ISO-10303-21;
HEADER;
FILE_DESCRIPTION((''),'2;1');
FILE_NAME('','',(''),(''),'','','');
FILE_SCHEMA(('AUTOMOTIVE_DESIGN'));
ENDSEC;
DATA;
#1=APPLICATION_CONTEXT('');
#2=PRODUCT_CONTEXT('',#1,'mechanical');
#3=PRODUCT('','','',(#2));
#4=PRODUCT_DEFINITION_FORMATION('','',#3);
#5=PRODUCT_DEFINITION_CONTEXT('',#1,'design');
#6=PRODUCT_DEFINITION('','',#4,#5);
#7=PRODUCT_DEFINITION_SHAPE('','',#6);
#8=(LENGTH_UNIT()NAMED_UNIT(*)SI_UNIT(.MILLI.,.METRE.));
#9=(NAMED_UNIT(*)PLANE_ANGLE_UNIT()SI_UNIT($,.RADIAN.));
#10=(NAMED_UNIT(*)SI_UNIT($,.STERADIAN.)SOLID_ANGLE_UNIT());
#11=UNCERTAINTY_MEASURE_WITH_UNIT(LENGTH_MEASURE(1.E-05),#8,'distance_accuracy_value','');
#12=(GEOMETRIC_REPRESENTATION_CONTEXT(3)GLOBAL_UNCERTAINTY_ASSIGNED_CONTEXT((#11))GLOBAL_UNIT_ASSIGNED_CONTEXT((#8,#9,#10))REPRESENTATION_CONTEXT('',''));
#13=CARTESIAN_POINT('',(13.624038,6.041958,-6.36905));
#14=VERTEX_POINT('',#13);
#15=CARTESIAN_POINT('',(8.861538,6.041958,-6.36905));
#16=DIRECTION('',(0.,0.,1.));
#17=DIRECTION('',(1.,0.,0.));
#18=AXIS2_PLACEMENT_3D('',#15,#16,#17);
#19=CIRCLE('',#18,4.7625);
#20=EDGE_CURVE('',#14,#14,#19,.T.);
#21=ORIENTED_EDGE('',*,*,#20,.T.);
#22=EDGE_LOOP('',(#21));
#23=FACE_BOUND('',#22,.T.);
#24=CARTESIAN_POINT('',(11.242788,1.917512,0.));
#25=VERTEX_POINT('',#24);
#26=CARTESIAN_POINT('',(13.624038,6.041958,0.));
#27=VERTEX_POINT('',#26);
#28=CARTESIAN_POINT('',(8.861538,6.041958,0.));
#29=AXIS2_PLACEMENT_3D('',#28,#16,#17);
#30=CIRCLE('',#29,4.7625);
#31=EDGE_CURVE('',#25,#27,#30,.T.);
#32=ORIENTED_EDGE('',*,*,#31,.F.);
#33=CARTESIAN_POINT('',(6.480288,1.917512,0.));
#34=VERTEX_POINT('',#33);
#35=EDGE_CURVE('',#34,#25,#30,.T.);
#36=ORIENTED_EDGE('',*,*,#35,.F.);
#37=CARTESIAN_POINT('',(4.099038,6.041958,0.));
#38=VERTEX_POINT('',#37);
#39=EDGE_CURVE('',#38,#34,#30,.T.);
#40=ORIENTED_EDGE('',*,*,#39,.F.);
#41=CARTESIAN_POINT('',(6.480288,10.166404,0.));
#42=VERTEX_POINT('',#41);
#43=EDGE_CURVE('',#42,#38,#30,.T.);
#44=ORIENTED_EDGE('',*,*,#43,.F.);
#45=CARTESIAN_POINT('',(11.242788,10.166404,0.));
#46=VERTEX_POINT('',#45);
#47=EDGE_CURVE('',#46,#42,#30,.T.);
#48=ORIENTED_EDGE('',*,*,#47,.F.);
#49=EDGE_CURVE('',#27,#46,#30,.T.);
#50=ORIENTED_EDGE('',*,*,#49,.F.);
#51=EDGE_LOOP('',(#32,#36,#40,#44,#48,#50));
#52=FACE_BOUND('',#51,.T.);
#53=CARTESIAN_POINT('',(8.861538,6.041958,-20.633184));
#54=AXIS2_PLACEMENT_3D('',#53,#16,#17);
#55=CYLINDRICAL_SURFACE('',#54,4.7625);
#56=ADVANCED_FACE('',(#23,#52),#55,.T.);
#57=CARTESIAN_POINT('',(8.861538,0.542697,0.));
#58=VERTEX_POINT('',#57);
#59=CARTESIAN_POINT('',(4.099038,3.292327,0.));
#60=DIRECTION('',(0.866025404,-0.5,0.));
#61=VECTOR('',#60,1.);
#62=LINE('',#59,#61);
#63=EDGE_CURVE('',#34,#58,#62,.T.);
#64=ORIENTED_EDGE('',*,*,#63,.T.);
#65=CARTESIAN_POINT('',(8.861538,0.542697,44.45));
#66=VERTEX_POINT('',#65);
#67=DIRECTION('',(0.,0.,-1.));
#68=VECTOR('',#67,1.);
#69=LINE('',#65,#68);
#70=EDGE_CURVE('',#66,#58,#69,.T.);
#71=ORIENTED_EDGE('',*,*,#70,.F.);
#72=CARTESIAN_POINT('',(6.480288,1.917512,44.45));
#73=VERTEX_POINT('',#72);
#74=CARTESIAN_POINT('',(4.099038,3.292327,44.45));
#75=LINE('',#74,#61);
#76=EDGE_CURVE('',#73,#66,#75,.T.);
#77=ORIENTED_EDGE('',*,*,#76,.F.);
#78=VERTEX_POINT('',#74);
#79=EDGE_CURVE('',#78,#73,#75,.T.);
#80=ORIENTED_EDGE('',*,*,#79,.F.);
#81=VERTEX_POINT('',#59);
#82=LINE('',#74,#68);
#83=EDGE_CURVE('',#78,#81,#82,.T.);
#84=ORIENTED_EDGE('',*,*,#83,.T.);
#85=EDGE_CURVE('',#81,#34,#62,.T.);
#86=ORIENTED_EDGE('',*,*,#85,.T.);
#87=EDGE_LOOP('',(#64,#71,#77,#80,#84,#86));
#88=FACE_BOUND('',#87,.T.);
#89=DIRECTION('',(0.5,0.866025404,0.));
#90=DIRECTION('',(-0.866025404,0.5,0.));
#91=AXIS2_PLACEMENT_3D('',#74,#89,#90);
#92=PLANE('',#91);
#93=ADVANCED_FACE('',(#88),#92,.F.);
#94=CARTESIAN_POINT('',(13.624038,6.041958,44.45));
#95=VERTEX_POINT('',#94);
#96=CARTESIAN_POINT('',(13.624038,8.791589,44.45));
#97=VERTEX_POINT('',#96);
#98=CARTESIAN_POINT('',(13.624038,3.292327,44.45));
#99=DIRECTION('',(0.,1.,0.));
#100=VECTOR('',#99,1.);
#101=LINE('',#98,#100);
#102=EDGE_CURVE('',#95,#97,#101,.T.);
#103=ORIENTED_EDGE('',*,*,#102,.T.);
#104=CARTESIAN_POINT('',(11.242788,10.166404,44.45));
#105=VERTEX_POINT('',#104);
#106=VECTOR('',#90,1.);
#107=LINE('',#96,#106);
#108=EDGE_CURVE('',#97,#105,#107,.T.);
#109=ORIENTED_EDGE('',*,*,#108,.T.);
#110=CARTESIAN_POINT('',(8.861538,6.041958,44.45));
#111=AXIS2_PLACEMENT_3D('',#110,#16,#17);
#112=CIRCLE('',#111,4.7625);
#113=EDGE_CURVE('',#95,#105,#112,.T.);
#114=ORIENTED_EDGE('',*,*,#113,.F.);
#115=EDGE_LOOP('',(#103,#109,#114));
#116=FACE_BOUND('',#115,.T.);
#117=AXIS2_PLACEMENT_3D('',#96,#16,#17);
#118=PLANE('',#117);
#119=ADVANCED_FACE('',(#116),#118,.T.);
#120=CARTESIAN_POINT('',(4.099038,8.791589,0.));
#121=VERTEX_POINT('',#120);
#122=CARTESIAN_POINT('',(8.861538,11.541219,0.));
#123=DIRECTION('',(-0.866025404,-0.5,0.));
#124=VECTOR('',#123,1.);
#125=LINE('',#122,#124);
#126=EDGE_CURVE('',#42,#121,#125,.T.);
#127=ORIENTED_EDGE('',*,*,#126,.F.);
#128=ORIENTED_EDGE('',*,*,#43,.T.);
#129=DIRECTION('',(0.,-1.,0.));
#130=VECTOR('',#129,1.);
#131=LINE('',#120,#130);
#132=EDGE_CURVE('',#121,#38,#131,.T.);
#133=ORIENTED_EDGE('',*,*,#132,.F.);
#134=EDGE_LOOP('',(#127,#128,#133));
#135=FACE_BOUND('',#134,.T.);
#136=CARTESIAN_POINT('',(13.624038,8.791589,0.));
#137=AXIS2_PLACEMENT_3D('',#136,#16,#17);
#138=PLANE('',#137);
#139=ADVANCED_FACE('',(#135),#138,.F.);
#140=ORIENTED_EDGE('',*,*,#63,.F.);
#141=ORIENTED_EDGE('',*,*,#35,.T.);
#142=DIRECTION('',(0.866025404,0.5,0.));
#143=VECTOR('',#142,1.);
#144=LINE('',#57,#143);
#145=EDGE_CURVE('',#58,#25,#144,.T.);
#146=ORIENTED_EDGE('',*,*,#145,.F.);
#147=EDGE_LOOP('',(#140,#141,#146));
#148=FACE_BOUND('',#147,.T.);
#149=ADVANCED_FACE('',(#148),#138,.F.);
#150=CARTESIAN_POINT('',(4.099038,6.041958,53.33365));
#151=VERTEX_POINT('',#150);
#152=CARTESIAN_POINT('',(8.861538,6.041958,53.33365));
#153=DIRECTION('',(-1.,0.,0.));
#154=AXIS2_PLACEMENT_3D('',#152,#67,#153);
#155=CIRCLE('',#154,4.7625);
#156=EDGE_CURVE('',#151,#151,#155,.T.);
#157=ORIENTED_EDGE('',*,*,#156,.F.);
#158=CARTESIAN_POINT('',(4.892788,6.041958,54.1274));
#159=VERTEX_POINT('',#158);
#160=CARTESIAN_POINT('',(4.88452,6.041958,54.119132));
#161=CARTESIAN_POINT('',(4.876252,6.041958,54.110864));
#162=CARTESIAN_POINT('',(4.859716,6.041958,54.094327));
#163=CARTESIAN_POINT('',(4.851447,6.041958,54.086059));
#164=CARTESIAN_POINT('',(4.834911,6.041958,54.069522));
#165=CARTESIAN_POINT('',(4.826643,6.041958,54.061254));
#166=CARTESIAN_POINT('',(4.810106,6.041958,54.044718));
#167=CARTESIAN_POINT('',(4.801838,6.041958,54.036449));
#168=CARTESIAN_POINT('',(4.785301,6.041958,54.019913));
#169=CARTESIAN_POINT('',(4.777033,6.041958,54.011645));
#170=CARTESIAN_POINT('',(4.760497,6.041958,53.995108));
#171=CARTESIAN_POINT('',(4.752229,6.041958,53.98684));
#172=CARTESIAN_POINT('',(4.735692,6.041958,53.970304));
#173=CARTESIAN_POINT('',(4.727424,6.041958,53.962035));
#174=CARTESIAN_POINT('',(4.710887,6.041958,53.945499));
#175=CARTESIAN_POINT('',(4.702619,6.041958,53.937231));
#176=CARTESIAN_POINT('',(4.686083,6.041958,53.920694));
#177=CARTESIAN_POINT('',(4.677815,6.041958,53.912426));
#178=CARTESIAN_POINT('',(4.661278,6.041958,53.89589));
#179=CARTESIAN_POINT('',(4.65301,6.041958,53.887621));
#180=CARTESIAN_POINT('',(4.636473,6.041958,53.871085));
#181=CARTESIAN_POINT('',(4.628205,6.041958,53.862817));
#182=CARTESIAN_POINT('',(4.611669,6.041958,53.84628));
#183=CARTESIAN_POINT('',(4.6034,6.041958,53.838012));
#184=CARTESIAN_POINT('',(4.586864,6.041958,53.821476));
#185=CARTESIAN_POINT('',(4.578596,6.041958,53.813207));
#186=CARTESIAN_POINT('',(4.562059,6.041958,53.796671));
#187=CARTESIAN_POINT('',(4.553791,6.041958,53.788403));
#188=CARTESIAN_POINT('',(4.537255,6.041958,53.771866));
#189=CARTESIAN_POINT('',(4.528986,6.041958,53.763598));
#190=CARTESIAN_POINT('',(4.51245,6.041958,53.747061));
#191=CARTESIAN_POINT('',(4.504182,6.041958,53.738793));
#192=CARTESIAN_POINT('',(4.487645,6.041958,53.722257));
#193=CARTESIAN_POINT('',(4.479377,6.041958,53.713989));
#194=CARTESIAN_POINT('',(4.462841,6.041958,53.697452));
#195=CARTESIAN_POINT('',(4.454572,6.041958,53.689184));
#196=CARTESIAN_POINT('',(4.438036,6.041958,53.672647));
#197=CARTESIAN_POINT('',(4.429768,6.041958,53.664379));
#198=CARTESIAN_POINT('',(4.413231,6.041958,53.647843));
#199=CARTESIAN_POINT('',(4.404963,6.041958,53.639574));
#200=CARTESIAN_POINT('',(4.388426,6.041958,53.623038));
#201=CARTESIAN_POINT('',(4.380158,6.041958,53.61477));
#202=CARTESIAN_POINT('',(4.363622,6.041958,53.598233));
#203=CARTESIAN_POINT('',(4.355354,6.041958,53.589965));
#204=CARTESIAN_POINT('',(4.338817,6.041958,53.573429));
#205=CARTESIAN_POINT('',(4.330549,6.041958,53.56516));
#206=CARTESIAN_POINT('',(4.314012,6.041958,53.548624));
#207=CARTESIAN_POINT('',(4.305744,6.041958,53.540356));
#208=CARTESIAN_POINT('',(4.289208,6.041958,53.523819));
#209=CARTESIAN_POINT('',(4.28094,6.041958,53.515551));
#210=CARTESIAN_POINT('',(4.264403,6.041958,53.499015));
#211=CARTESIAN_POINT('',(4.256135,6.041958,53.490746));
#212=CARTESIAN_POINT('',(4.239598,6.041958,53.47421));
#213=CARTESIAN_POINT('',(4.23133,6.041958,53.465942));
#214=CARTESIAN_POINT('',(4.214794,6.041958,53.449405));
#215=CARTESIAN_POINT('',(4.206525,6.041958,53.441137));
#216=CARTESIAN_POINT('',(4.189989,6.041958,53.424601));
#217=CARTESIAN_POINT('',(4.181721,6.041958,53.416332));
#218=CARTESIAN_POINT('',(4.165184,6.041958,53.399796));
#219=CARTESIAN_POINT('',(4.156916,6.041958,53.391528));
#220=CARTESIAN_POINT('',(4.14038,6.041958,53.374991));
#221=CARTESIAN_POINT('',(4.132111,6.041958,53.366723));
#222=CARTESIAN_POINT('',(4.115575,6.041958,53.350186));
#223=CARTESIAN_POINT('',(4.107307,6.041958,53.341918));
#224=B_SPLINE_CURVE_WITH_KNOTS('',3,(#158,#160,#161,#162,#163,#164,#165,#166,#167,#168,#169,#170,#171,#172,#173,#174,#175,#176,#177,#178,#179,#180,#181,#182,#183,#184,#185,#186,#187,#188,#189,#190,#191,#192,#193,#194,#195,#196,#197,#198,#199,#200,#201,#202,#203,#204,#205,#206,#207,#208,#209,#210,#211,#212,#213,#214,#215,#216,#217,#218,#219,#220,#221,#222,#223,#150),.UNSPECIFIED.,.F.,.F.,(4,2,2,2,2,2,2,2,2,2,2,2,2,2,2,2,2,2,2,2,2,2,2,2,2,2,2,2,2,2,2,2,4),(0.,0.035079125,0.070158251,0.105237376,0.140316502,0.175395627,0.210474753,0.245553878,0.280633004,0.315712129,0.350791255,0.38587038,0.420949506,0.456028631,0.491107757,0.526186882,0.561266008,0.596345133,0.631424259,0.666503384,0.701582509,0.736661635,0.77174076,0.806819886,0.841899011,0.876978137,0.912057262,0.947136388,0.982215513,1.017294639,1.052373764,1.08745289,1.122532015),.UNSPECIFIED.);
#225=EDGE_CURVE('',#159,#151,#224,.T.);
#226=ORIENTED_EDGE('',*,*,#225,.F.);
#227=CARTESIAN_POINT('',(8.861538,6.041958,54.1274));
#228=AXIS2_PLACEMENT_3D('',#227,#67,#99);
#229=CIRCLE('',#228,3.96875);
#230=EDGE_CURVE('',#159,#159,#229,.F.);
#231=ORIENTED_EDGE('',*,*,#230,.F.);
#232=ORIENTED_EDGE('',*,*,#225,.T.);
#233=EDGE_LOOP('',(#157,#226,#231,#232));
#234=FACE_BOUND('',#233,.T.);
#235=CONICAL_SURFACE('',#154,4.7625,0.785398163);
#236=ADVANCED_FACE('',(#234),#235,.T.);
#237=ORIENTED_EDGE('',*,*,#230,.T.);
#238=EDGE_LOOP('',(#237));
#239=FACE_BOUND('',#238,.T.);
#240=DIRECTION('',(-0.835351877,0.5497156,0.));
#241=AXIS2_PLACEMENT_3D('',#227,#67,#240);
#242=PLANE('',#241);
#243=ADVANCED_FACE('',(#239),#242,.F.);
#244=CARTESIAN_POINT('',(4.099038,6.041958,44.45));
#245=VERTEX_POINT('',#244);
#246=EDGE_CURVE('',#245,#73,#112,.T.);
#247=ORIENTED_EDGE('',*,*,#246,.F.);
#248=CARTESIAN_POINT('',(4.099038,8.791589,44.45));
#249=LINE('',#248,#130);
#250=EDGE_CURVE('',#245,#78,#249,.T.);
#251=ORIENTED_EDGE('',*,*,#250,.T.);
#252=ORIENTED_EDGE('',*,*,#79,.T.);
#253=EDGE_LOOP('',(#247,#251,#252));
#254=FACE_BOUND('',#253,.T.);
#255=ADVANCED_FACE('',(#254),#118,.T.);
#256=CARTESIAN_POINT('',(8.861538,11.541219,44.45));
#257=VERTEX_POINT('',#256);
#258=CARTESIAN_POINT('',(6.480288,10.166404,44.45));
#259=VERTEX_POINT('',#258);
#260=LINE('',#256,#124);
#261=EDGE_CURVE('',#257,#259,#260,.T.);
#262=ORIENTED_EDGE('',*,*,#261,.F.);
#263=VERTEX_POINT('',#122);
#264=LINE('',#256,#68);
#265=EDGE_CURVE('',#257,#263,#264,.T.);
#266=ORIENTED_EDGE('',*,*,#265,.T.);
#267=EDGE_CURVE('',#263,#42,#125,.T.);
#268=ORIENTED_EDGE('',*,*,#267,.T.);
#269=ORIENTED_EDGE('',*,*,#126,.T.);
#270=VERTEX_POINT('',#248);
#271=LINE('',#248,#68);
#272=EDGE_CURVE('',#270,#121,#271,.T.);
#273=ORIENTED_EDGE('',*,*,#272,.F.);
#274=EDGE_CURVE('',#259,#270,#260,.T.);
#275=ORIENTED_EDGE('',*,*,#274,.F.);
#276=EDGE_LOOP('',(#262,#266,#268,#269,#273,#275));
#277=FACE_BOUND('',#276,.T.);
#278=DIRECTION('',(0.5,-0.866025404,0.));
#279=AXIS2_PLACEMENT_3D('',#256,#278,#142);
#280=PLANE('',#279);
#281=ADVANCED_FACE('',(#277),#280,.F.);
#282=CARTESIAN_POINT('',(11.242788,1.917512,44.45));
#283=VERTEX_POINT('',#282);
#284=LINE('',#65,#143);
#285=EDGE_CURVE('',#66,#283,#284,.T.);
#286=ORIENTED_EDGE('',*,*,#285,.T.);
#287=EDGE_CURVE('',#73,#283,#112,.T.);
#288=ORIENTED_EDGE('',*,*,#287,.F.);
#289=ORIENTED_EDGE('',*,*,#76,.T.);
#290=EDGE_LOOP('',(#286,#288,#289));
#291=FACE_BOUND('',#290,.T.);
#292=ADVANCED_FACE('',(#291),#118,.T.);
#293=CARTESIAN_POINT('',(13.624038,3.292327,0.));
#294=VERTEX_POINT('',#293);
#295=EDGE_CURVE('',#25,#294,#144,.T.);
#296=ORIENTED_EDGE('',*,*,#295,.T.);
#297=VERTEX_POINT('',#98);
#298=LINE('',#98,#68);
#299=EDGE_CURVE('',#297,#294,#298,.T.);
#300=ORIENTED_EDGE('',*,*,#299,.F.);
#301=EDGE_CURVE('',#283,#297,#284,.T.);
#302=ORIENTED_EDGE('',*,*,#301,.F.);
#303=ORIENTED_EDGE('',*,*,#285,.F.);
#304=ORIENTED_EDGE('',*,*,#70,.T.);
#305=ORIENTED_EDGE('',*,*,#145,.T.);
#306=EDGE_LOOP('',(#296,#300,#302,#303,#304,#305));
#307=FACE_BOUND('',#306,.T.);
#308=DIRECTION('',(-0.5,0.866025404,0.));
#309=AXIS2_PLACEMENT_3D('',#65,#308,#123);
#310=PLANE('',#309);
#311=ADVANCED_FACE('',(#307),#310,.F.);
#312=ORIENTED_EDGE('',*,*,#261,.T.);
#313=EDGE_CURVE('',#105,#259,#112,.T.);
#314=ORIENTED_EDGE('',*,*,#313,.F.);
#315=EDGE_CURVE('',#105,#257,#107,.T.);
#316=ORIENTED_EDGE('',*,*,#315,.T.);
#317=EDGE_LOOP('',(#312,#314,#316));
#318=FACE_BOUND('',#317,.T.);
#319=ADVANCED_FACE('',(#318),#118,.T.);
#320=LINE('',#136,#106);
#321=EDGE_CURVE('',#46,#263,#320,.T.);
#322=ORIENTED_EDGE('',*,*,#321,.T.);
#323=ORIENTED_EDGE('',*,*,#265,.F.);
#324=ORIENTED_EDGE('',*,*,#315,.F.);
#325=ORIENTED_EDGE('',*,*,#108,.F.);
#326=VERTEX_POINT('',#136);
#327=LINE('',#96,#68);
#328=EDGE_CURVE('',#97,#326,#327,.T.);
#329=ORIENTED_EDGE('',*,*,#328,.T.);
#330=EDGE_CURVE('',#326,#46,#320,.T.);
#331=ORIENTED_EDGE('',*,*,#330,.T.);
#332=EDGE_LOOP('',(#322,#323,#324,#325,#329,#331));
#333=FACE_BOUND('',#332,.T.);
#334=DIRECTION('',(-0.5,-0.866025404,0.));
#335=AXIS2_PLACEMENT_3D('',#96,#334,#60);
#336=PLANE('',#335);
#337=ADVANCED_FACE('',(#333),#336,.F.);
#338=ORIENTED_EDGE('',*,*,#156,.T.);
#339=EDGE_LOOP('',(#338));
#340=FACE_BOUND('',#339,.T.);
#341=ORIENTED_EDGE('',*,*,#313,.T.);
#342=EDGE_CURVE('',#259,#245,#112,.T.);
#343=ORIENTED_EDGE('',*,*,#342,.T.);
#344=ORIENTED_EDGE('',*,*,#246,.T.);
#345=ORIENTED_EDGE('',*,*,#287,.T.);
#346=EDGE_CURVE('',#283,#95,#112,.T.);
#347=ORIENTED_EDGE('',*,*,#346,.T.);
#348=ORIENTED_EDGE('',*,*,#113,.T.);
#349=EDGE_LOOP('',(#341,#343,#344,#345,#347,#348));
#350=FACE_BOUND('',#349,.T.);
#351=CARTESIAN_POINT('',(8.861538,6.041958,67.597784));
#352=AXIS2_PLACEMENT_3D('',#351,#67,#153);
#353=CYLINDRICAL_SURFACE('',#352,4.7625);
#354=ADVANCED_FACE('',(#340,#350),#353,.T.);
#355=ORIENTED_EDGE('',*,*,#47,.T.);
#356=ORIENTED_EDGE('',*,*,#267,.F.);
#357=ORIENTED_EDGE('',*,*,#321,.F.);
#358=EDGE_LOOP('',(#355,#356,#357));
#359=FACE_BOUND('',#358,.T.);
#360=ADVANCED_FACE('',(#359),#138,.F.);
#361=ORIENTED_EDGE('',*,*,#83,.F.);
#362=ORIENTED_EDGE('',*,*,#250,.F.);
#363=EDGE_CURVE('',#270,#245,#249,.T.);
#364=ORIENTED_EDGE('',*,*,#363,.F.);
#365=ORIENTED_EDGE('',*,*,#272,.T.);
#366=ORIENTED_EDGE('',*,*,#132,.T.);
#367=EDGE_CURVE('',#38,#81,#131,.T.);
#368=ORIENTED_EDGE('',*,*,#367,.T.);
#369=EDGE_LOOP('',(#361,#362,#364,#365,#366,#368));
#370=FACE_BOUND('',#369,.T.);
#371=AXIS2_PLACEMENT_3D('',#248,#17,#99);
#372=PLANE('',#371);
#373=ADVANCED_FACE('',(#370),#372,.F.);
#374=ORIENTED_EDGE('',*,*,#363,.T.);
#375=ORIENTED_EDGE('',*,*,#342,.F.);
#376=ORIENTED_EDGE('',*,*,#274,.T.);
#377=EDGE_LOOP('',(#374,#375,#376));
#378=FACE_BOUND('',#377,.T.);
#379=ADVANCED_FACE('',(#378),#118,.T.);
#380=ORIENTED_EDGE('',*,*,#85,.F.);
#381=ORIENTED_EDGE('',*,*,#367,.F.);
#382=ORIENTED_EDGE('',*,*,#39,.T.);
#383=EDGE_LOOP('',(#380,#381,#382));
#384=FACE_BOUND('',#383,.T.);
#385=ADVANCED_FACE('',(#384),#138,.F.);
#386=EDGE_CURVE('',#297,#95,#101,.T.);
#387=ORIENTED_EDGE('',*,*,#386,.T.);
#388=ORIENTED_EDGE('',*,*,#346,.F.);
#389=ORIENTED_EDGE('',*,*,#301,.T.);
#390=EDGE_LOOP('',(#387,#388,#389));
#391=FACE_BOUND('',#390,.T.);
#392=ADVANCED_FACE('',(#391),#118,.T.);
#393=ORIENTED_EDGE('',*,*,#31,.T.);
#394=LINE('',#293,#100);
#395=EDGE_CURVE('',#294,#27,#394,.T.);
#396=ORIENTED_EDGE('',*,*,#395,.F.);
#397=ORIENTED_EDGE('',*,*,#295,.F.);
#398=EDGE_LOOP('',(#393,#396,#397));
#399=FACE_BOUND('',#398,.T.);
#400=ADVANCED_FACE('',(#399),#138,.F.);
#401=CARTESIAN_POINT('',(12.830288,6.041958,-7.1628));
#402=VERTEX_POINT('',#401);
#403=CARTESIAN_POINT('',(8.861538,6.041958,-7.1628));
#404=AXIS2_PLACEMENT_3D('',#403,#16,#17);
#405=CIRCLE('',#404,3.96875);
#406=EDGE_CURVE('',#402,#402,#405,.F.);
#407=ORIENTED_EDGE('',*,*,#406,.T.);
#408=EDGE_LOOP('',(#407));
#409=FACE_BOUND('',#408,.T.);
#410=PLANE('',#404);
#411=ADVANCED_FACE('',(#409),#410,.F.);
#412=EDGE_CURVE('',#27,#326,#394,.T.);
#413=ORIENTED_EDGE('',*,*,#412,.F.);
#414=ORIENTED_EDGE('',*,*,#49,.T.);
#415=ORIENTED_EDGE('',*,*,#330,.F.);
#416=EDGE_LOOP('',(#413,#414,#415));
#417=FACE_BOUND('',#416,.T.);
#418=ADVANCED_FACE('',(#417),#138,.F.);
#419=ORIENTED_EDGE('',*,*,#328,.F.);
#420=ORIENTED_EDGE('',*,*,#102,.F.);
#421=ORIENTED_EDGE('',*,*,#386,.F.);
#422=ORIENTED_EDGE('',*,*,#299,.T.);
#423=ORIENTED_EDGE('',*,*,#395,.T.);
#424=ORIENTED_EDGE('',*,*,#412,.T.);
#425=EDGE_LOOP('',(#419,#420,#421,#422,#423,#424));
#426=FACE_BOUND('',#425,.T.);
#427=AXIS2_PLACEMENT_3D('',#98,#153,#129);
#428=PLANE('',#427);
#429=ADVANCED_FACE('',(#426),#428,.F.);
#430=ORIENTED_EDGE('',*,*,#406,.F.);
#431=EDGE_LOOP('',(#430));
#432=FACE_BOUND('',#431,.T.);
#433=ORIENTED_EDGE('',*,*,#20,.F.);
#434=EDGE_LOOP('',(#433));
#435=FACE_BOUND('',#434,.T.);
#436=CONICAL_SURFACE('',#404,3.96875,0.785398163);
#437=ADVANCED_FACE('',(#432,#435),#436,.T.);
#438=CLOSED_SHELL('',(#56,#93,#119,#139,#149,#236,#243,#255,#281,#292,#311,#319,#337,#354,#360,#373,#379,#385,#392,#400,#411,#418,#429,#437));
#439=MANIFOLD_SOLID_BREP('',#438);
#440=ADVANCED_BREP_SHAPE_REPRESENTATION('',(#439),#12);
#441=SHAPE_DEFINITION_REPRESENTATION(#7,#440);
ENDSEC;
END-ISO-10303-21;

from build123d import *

# Parameters (mm, degrees)
SKETCH1_R           = 4.7625
BOSS_EXTRUDE1_DEPTH = 7.1628
BOSS_EXTRUDE2_DEPTH = 44.45
BOSS_EXTRUDE3_START = 9.6774
SKETCH3_R           = 4.7625
BOSS_EXTRUDE3_DEPTH = 9.6774
CHAMFER1_SIZE       = 0.79375


with BuildPart() as part:
    # Sketch1 → Boss-Extrude1 (new body)
    with BuildSketch(Plane.XY):
        with Locations((8.861538462, 6.041958042)):
            Circle(SKETCH1_R)
    extrude(amount=-BOSS_EXTRUDE1_DEPTH)

    # Sketch2 → Boss-Extrude2 (add)
    with BuildSketch(Plane.XY):
        Polygon((13.624038462, 8.791588699), (8.861538462, 11.541219356), (4.099038462, 8.791588699), (4.099038462, 3.292327385), (8.861538462, 0.542696728), (13.624038462, 3.292327385), align=None)
    extrude(amount=BOSS_EXTRUDE2_DEPTH)

    # Sketch3 → Boss-Extrude3 (add)
    with BuildSketch(Plane.XY.offset(44.45).offset(BOSS_EXTRUDE3_START)):
        with Locations((8.861538462, 6.041958042)):
            Circle(SKETCH3_R)
    extrude(amount=-BOSS_EXTRUDE3_DEPTH)

    # Chamfer1
    chamfer1_edges = [part.edges().sort_by_distance(p)[0] for p in [
        (4.099038462, 6.041958042, 54.1274),
        (4.099038462, 6.041958042, -7.1628),
    ]]
    chamfer(chamfer1_edges, length=CHAMFER1_SIZE)


solid = part.part
